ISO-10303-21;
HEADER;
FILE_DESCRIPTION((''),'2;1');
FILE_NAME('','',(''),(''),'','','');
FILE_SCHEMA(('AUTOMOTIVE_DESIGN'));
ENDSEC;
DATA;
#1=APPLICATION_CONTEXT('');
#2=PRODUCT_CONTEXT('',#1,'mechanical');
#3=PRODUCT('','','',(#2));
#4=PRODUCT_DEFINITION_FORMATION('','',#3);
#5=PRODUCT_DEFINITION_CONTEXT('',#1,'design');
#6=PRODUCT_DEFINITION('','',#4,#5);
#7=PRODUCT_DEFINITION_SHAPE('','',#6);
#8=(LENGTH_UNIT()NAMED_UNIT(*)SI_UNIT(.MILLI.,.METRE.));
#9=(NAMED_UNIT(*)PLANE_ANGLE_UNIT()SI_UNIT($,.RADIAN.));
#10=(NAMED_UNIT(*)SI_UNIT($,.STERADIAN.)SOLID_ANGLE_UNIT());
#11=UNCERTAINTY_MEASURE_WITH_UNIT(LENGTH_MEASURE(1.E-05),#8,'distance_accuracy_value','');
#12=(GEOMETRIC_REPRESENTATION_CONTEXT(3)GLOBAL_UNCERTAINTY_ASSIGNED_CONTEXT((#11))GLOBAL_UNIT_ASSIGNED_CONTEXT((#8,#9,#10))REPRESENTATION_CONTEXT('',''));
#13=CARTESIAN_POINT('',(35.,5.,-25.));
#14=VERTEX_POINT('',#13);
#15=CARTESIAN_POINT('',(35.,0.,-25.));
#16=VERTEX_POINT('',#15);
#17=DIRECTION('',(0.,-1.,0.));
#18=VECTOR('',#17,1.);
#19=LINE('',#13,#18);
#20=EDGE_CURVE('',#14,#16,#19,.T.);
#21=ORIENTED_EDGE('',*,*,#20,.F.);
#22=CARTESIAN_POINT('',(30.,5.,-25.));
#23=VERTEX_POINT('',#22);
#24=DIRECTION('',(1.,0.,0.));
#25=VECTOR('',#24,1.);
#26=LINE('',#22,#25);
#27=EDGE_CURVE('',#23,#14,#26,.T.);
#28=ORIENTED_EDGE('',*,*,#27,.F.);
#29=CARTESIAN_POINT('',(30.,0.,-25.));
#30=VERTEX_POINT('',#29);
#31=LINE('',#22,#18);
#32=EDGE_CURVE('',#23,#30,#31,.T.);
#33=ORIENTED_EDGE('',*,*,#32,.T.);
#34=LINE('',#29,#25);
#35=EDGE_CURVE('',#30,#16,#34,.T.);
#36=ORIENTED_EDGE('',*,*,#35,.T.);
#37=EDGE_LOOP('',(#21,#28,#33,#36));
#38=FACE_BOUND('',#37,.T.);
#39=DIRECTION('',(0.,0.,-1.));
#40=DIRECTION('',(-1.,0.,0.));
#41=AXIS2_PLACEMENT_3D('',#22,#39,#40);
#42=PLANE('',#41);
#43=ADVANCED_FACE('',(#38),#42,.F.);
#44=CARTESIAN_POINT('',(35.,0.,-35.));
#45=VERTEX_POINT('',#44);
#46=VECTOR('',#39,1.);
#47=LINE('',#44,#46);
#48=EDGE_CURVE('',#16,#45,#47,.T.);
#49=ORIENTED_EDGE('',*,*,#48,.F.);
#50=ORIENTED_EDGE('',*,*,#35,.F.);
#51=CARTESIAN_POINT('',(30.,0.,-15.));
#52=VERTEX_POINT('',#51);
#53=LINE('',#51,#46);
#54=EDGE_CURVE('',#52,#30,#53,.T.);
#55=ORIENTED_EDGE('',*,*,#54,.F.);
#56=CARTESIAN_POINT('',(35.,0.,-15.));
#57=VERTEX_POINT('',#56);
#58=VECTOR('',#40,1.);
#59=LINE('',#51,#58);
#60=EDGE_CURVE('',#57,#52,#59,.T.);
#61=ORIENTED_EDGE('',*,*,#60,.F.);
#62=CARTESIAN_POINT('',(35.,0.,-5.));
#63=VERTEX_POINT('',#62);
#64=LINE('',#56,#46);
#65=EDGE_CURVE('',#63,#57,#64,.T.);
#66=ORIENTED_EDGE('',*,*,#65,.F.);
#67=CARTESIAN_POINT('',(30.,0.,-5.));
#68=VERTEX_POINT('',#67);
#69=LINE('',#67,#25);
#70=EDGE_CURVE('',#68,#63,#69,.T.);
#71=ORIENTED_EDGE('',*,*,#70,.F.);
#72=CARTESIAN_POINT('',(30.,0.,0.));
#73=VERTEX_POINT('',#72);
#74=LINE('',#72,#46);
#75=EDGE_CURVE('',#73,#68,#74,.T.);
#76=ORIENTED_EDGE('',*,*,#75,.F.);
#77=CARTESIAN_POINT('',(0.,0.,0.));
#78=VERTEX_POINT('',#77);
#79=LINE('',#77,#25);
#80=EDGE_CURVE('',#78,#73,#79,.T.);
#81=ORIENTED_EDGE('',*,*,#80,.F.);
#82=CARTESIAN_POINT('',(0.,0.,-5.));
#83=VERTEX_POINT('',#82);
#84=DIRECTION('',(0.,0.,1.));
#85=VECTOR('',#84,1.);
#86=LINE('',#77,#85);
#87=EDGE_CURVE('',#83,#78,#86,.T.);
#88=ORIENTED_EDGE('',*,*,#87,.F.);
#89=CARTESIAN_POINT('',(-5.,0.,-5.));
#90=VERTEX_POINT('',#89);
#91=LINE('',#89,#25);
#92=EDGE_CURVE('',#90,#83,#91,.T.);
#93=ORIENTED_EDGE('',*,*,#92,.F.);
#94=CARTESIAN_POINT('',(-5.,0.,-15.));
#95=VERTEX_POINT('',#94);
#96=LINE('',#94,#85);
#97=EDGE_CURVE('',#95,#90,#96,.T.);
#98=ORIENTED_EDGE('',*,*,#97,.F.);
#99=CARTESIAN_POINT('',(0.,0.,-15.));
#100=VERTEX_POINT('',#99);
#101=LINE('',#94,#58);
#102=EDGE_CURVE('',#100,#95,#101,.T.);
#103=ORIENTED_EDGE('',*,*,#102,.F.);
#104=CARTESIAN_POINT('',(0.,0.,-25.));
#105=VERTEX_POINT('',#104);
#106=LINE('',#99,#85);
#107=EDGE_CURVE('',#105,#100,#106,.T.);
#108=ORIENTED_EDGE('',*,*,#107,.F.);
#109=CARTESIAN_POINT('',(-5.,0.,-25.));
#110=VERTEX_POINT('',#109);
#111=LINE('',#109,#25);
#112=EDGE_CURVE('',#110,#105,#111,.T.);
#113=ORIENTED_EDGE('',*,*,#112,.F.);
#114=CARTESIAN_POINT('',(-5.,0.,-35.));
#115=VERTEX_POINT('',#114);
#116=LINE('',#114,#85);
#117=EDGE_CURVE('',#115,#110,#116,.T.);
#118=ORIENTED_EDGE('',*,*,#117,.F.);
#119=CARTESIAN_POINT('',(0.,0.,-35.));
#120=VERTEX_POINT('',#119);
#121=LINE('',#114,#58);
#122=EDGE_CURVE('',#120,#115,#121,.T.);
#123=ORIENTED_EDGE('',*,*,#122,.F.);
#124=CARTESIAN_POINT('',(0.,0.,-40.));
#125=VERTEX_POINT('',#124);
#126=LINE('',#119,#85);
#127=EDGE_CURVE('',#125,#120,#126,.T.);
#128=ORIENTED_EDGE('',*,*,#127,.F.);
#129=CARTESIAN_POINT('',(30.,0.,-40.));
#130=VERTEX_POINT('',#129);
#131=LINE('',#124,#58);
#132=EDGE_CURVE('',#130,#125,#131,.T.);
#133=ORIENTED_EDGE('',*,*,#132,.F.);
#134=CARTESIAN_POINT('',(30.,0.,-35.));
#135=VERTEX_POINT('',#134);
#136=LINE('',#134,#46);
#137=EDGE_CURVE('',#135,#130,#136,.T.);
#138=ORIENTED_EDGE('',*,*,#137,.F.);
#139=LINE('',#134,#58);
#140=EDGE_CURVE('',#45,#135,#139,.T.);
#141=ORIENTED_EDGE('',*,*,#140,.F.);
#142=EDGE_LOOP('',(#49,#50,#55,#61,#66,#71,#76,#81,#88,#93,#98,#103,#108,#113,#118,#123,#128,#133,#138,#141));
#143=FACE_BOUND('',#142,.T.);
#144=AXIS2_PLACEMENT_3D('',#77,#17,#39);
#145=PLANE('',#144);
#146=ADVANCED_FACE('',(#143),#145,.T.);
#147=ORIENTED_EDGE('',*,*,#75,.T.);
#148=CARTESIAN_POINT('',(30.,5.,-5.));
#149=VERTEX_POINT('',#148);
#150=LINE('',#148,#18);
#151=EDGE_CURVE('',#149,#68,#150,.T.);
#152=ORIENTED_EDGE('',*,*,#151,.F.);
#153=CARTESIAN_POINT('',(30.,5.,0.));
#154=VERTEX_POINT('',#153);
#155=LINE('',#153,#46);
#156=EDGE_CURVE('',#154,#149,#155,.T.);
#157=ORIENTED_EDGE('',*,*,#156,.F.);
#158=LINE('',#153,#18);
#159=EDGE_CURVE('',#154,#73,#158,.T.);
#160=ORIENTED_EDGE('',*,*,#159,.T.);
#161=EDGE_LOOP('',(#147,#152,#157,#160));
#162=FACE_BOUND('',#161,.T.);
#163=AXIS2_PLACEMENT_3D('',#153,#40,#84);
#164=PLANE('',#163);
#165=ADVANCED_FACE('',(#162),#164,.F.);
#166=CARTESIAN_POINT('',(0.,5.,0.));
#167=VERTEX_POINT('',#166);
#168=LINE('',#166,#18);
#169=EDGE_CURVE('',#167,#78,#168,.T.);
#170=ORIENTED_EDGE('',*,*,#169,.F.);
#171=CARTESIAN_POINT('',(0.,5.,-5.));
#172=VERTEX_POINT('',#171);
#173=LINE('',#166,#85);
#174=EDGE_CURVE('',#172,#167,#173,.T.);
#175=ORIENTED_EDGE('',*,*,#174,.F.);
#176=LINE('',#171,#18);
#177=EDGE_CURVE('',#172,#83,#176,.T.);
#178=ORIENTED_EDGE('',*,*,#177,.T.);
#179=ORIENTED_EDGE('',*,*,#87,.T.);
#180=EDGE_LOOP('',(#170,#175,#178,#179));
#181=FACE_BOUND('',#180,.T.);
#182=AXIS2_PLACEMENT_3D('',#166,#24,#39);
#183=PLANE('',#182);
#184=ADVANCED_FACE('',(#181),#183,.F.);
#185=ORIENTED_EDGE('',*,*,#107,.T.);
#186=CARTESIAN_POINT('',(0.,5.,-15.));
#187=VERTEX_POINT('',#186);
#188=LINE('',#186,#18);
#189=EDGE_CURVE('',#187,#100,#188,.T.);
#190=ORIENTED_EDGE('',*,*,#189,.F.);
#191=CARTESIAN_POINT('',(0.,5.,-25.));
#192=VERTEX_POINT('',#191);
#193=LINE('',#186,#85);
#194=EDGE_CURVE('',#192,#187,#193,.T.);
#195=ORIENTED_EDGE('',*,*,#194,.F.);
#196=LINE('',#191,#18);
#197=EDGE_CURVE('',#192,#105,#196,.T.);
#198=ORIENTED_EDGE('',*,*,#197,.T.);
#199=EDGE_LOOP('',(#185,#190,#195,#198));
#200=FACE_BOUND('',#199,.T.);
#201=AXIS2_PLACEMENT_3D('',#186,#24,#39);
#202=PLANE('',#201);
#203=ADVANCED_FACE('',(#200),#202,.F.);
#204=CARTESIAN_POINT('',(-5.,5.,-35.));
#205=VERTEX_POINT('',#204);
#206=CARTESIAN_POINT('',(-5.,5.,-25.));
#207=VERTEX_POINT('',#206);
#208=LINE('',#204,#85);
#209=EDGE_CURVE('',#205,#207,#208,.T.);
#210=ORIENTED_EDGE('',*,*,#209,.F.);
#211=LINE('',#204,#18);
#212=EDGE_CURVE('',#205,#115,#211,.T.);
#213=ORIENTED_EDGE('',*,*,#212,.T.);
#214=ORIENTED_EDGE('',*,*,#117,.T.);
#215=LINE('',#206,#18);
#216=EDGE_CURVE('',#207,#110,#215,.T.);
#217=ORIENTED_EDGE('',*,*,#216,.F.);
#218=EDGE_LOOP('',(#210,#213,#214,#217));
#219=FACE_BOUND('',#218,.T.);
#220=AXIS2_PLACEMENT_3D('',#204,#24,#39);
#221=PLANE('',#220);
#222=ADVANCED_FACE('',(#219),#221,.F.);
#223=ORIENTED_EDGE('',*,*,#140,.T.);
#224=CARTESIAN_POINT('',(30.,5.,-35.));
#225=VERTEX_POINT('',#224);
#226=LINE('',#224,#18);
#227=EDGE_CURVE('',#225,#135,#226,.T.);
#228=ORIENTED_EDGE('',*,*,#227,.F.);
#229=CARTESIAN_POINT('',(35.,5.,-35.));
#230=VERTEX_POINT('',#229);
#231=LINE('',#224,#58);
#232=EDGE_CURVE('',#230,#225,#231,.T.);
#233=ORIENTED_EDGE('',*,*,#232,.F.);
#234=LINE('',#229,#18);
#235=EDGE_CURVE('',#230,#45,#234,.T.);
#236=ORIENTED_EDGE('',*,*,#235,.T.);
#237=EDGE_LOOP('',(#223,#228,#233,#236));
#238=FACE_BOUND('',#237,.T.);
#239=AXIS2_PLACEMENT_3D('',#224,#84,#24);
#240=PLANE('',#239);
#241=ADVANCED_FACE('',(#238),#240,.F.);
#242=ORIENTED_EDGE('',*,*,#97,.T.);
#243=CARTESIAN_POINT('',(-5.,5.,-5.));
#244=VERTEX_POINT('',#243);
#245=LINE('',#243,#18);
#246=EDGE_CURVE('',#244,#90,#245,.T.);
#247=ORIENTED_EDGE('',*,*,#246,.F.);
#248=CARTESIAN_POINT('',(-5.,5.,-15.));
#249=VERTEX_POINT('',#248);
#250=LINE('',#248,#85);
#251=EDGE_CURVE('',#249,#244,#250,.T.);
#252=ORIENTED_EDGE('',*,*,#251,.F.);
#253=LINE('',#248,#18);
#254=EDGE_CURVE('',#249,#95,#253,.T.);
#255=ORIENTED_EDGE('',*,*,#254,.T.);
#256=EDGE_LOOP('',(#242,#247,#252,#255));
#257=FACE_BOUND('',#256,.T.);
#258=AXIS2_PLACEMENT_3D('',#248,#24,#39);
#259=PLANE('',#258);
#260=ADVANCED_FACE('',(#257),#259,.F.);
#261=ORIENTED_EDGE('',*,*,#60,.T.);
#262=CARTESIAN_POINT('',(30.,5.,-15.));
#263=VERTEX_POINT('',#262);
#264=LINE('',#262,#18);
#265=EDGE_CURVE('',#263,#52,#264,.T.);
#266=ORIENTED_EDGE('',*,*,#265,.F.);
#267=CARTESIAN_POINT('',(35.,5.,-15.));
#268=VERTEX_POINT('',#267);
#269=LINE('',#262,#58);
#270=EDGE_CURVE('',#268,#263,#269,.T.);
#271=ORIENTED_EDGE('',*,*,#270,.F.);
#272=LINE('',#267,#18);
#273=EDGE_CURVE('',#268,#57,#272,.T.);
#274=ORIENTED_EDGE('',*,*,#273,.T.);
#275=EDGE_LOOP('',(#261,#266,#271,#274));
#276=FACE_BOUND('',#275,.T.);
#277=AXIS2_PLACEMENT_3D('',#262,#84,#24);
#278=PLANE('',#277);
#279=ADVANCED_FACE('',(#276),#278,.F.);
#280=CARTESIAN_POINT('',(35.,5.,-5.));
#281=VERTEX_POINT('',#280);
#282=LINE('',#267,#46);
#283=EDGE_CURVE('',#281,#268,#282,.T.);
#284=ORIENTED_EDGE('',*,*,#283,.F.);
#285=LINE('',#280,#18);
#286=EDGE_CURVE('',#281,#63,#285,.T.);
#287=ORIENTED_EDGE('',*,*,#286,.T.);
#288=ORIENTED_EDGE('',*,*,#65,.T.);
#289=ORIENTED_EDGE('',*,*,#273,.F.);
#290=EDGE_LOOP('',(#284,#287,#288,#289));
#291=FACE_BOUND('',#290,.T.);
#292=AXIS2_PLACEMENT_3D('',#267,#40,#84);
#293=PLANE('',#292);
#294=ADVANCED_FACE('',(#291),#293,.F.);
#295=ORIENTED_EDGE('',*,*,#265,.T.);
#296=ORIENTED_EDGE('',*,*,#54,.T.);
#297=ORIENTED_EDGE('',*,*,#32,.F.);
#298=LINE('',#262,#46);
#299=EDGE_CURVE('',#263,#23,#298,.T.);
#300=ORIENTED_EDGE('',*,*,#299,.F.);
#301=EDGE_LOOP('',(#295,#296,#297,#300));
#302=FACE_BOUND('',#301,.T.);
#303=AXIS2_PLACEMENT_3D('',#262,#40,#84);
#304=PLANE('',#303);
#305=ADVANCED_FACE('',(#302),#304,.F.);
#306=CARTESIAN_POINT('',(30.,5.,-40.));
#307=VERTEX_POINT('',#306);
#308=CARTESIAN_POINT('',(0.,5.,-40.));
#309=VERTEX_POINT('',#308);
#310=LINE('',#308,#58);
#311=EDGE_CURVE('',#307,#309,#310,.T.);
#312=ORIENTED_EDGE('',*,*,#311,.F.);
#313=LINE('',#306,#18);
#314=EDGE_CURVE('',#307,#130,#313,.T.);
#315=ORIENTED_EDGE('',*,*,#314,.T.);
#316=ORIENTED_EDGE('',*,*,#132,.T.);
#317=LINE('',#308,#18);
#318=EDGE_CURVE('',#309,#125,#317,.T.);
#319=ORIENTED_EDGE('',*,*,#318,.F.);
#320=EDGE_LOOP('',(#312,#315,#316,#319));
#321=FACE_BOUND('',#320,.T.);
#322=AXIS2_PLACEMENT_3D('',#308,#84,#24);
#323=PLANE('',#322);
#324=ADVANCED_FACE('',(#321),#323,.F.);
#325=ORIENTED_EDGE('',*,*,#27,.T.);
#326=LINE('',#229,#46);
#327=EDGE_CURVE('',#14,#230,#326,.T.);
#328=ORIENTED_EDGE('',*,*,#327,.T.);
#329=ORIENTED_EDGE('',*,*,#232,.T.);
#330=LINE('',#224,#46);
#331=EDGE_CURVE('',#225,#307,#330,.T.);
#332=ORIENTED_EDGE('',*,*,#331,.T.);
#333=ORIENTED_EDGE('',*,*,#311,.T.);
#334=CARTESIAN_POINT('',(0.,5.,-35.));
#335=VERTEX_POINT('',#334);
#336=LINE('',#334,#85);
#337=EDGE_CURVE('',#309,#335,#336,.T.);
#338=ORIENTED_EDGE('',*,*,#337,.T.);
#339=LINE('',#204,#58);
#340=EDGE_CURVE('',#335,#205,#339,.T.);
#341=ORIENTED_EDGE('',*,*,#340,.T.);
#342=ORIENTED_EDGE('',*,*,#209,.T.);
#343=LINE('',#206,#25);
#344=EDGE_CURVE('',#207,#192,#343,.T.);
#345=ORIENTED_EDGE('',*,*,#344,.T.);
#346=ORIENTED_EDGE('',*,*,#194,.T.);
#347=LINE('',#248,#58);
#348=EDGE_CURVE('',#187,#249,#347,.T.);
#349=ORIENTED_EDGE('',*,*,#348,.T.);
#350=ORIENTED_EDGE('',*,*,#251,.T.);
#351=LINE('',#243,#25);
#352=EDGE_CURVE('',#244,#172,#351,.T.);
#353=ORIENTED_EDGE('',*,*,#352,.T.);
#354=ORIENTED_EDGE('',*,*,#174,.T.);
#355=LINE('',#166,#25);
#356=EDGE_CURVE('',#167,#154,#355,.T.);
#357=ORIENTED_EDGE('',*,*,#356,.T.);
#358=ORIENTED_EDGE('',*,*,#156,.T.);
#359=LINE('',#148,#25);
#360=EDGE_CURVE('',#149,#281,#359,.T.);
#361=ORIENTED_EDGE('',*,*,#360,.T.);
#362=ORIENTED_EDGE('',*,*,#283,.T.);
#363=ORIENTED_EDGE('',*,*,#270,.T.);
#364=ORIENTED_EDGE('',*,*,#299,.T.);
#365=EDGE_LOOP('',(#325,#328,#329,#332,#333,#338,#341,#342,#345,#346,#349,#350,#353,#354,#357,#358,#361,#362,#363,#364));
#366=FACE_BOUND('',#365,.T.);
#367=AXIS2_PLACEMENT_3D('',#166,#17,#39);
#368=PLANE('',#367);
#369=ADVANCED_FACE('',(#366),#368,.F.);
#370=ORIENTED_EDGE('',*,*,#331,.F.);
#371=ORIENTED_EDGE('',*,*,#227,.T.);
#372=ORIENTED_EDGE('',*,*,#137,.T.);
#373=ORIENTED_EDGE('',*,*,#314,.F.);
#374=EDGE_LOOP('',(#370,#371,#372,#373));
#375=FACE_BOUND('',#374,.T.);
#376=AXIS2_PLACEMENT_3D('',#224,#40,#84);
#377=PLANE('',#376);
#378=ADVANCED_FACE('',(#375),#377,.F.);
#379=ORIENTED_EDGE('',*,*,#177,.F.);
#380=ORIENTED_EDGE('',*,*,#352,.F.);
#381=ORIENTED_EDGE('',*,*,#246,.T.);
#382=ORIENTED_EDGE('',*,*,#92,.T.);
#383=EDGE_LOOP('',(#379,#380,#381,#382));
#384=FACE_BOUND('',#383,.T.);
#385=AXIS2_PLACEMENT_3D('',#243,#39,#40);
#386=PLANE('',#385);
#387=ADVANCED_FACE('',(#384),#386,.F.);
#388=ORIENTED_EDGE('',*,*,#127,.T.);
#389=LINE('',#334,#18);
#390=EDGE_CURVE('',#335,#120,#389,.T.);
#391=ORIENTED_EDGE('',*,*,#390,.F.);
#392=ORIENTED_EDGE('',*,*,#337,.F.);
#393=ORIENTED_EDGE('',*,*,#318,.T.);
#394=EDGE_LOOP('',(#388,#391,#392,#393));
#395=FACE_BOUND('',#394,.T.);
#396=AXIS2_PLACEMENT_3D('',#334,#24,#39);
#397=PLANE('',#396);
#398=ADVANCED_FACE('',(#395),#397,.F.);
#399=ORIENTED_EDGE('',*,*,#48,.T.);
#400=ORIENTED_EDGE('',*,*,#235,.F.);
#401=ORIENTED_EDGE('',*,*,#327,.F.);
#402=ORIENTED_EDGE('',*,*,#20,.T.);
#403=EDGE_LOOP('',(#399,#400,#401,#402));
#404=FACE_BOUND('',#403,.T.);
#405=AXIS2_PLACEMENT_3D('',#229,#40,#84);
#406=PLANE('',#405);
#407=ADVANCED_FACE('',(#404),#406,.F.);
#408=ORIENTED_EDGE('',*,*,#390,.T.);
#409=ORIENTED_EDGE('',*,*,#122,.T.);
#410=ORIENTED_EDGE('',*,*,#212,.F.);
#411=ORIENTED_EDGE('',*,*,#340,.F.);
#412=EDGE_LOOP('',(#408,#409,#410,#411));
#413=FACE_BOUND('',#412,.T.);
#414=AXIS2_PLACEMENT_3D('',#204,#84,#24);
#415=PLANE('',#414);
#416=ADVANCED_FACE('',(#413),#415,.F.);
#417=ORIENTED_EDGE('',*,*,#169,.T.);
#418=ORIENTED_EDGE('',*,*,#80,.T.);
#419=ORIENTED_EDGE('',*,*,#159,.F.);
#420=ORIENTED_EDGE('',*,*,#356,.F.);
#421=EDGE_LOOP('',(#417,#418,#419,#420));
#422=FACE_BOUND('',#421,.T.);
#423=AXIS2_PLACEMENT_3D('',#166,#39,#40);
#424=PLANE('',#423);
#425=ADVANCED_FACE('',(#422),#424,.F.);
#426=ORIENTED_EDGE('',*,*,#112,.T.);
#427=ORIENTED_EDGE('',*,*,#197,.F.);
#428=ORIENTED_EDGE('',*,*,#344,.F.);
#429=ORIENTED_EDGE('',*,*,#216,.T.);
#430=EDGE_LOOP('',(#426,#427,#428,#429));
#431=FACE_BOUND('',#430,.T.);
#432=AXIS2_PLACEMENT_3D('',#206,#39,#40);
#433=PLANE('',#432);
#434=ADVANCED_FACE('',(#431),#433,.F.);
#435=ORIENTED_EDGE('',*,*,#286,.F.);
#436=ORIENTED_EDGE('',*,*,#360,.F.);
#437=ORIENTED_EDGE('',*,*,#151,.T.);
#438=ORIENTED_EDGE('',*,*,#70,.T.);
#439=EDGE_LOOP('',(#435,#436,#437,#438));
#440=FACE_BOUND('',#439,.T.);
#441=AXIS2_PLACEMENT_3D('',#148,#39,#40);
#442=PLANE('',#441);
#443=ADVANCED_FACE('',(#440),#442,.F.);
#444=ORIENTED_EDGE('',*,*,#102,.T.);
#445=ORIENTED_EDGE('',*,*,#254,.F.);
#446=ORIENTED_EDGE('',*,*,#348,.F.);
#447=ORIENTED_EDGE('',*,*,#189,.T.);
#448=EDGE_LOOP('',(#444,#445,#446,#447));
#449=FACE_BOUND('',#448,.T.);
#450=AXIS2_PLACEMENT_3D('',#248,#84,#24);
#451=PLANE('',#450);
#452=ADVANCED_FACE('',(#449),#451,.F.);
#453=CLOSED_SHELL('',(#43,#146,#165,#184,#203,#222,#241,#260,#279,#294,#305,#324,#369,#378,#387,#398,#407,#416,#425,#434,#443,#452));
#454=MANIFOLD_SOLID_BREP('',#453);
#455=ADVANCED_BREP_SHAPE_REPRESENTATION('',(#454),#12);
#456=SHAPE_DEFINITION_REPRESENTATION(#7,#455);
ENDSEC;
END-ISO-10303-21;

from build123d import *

# Parameters (mm, degrees)
EXTRUDE_1_DEPTH = 5


with BuildPart() as part:
    # 草图1 → 凸台-拉伸1 (new body)
    with BuildSketch(Plane(origin=(0, 0, 0), x_dir=(1, 0, 0), z_dir=(0, 1, 0))):
        Polygon((0, 0), (30, 0), (30, 5), (35, 5), (35, 15), (30, 15), (30, 25), (35, 25), (35, 35), (30, 35), (30, 40), (0, 40), (0, 35), (-5, 35), (-5, 25), (0, 25), (0, 15), (-5, 15), (-5, 5), (0, 5), align=None)
    extrude(amount=EXTRUDE_1_DEPTH)


solid = part.part
